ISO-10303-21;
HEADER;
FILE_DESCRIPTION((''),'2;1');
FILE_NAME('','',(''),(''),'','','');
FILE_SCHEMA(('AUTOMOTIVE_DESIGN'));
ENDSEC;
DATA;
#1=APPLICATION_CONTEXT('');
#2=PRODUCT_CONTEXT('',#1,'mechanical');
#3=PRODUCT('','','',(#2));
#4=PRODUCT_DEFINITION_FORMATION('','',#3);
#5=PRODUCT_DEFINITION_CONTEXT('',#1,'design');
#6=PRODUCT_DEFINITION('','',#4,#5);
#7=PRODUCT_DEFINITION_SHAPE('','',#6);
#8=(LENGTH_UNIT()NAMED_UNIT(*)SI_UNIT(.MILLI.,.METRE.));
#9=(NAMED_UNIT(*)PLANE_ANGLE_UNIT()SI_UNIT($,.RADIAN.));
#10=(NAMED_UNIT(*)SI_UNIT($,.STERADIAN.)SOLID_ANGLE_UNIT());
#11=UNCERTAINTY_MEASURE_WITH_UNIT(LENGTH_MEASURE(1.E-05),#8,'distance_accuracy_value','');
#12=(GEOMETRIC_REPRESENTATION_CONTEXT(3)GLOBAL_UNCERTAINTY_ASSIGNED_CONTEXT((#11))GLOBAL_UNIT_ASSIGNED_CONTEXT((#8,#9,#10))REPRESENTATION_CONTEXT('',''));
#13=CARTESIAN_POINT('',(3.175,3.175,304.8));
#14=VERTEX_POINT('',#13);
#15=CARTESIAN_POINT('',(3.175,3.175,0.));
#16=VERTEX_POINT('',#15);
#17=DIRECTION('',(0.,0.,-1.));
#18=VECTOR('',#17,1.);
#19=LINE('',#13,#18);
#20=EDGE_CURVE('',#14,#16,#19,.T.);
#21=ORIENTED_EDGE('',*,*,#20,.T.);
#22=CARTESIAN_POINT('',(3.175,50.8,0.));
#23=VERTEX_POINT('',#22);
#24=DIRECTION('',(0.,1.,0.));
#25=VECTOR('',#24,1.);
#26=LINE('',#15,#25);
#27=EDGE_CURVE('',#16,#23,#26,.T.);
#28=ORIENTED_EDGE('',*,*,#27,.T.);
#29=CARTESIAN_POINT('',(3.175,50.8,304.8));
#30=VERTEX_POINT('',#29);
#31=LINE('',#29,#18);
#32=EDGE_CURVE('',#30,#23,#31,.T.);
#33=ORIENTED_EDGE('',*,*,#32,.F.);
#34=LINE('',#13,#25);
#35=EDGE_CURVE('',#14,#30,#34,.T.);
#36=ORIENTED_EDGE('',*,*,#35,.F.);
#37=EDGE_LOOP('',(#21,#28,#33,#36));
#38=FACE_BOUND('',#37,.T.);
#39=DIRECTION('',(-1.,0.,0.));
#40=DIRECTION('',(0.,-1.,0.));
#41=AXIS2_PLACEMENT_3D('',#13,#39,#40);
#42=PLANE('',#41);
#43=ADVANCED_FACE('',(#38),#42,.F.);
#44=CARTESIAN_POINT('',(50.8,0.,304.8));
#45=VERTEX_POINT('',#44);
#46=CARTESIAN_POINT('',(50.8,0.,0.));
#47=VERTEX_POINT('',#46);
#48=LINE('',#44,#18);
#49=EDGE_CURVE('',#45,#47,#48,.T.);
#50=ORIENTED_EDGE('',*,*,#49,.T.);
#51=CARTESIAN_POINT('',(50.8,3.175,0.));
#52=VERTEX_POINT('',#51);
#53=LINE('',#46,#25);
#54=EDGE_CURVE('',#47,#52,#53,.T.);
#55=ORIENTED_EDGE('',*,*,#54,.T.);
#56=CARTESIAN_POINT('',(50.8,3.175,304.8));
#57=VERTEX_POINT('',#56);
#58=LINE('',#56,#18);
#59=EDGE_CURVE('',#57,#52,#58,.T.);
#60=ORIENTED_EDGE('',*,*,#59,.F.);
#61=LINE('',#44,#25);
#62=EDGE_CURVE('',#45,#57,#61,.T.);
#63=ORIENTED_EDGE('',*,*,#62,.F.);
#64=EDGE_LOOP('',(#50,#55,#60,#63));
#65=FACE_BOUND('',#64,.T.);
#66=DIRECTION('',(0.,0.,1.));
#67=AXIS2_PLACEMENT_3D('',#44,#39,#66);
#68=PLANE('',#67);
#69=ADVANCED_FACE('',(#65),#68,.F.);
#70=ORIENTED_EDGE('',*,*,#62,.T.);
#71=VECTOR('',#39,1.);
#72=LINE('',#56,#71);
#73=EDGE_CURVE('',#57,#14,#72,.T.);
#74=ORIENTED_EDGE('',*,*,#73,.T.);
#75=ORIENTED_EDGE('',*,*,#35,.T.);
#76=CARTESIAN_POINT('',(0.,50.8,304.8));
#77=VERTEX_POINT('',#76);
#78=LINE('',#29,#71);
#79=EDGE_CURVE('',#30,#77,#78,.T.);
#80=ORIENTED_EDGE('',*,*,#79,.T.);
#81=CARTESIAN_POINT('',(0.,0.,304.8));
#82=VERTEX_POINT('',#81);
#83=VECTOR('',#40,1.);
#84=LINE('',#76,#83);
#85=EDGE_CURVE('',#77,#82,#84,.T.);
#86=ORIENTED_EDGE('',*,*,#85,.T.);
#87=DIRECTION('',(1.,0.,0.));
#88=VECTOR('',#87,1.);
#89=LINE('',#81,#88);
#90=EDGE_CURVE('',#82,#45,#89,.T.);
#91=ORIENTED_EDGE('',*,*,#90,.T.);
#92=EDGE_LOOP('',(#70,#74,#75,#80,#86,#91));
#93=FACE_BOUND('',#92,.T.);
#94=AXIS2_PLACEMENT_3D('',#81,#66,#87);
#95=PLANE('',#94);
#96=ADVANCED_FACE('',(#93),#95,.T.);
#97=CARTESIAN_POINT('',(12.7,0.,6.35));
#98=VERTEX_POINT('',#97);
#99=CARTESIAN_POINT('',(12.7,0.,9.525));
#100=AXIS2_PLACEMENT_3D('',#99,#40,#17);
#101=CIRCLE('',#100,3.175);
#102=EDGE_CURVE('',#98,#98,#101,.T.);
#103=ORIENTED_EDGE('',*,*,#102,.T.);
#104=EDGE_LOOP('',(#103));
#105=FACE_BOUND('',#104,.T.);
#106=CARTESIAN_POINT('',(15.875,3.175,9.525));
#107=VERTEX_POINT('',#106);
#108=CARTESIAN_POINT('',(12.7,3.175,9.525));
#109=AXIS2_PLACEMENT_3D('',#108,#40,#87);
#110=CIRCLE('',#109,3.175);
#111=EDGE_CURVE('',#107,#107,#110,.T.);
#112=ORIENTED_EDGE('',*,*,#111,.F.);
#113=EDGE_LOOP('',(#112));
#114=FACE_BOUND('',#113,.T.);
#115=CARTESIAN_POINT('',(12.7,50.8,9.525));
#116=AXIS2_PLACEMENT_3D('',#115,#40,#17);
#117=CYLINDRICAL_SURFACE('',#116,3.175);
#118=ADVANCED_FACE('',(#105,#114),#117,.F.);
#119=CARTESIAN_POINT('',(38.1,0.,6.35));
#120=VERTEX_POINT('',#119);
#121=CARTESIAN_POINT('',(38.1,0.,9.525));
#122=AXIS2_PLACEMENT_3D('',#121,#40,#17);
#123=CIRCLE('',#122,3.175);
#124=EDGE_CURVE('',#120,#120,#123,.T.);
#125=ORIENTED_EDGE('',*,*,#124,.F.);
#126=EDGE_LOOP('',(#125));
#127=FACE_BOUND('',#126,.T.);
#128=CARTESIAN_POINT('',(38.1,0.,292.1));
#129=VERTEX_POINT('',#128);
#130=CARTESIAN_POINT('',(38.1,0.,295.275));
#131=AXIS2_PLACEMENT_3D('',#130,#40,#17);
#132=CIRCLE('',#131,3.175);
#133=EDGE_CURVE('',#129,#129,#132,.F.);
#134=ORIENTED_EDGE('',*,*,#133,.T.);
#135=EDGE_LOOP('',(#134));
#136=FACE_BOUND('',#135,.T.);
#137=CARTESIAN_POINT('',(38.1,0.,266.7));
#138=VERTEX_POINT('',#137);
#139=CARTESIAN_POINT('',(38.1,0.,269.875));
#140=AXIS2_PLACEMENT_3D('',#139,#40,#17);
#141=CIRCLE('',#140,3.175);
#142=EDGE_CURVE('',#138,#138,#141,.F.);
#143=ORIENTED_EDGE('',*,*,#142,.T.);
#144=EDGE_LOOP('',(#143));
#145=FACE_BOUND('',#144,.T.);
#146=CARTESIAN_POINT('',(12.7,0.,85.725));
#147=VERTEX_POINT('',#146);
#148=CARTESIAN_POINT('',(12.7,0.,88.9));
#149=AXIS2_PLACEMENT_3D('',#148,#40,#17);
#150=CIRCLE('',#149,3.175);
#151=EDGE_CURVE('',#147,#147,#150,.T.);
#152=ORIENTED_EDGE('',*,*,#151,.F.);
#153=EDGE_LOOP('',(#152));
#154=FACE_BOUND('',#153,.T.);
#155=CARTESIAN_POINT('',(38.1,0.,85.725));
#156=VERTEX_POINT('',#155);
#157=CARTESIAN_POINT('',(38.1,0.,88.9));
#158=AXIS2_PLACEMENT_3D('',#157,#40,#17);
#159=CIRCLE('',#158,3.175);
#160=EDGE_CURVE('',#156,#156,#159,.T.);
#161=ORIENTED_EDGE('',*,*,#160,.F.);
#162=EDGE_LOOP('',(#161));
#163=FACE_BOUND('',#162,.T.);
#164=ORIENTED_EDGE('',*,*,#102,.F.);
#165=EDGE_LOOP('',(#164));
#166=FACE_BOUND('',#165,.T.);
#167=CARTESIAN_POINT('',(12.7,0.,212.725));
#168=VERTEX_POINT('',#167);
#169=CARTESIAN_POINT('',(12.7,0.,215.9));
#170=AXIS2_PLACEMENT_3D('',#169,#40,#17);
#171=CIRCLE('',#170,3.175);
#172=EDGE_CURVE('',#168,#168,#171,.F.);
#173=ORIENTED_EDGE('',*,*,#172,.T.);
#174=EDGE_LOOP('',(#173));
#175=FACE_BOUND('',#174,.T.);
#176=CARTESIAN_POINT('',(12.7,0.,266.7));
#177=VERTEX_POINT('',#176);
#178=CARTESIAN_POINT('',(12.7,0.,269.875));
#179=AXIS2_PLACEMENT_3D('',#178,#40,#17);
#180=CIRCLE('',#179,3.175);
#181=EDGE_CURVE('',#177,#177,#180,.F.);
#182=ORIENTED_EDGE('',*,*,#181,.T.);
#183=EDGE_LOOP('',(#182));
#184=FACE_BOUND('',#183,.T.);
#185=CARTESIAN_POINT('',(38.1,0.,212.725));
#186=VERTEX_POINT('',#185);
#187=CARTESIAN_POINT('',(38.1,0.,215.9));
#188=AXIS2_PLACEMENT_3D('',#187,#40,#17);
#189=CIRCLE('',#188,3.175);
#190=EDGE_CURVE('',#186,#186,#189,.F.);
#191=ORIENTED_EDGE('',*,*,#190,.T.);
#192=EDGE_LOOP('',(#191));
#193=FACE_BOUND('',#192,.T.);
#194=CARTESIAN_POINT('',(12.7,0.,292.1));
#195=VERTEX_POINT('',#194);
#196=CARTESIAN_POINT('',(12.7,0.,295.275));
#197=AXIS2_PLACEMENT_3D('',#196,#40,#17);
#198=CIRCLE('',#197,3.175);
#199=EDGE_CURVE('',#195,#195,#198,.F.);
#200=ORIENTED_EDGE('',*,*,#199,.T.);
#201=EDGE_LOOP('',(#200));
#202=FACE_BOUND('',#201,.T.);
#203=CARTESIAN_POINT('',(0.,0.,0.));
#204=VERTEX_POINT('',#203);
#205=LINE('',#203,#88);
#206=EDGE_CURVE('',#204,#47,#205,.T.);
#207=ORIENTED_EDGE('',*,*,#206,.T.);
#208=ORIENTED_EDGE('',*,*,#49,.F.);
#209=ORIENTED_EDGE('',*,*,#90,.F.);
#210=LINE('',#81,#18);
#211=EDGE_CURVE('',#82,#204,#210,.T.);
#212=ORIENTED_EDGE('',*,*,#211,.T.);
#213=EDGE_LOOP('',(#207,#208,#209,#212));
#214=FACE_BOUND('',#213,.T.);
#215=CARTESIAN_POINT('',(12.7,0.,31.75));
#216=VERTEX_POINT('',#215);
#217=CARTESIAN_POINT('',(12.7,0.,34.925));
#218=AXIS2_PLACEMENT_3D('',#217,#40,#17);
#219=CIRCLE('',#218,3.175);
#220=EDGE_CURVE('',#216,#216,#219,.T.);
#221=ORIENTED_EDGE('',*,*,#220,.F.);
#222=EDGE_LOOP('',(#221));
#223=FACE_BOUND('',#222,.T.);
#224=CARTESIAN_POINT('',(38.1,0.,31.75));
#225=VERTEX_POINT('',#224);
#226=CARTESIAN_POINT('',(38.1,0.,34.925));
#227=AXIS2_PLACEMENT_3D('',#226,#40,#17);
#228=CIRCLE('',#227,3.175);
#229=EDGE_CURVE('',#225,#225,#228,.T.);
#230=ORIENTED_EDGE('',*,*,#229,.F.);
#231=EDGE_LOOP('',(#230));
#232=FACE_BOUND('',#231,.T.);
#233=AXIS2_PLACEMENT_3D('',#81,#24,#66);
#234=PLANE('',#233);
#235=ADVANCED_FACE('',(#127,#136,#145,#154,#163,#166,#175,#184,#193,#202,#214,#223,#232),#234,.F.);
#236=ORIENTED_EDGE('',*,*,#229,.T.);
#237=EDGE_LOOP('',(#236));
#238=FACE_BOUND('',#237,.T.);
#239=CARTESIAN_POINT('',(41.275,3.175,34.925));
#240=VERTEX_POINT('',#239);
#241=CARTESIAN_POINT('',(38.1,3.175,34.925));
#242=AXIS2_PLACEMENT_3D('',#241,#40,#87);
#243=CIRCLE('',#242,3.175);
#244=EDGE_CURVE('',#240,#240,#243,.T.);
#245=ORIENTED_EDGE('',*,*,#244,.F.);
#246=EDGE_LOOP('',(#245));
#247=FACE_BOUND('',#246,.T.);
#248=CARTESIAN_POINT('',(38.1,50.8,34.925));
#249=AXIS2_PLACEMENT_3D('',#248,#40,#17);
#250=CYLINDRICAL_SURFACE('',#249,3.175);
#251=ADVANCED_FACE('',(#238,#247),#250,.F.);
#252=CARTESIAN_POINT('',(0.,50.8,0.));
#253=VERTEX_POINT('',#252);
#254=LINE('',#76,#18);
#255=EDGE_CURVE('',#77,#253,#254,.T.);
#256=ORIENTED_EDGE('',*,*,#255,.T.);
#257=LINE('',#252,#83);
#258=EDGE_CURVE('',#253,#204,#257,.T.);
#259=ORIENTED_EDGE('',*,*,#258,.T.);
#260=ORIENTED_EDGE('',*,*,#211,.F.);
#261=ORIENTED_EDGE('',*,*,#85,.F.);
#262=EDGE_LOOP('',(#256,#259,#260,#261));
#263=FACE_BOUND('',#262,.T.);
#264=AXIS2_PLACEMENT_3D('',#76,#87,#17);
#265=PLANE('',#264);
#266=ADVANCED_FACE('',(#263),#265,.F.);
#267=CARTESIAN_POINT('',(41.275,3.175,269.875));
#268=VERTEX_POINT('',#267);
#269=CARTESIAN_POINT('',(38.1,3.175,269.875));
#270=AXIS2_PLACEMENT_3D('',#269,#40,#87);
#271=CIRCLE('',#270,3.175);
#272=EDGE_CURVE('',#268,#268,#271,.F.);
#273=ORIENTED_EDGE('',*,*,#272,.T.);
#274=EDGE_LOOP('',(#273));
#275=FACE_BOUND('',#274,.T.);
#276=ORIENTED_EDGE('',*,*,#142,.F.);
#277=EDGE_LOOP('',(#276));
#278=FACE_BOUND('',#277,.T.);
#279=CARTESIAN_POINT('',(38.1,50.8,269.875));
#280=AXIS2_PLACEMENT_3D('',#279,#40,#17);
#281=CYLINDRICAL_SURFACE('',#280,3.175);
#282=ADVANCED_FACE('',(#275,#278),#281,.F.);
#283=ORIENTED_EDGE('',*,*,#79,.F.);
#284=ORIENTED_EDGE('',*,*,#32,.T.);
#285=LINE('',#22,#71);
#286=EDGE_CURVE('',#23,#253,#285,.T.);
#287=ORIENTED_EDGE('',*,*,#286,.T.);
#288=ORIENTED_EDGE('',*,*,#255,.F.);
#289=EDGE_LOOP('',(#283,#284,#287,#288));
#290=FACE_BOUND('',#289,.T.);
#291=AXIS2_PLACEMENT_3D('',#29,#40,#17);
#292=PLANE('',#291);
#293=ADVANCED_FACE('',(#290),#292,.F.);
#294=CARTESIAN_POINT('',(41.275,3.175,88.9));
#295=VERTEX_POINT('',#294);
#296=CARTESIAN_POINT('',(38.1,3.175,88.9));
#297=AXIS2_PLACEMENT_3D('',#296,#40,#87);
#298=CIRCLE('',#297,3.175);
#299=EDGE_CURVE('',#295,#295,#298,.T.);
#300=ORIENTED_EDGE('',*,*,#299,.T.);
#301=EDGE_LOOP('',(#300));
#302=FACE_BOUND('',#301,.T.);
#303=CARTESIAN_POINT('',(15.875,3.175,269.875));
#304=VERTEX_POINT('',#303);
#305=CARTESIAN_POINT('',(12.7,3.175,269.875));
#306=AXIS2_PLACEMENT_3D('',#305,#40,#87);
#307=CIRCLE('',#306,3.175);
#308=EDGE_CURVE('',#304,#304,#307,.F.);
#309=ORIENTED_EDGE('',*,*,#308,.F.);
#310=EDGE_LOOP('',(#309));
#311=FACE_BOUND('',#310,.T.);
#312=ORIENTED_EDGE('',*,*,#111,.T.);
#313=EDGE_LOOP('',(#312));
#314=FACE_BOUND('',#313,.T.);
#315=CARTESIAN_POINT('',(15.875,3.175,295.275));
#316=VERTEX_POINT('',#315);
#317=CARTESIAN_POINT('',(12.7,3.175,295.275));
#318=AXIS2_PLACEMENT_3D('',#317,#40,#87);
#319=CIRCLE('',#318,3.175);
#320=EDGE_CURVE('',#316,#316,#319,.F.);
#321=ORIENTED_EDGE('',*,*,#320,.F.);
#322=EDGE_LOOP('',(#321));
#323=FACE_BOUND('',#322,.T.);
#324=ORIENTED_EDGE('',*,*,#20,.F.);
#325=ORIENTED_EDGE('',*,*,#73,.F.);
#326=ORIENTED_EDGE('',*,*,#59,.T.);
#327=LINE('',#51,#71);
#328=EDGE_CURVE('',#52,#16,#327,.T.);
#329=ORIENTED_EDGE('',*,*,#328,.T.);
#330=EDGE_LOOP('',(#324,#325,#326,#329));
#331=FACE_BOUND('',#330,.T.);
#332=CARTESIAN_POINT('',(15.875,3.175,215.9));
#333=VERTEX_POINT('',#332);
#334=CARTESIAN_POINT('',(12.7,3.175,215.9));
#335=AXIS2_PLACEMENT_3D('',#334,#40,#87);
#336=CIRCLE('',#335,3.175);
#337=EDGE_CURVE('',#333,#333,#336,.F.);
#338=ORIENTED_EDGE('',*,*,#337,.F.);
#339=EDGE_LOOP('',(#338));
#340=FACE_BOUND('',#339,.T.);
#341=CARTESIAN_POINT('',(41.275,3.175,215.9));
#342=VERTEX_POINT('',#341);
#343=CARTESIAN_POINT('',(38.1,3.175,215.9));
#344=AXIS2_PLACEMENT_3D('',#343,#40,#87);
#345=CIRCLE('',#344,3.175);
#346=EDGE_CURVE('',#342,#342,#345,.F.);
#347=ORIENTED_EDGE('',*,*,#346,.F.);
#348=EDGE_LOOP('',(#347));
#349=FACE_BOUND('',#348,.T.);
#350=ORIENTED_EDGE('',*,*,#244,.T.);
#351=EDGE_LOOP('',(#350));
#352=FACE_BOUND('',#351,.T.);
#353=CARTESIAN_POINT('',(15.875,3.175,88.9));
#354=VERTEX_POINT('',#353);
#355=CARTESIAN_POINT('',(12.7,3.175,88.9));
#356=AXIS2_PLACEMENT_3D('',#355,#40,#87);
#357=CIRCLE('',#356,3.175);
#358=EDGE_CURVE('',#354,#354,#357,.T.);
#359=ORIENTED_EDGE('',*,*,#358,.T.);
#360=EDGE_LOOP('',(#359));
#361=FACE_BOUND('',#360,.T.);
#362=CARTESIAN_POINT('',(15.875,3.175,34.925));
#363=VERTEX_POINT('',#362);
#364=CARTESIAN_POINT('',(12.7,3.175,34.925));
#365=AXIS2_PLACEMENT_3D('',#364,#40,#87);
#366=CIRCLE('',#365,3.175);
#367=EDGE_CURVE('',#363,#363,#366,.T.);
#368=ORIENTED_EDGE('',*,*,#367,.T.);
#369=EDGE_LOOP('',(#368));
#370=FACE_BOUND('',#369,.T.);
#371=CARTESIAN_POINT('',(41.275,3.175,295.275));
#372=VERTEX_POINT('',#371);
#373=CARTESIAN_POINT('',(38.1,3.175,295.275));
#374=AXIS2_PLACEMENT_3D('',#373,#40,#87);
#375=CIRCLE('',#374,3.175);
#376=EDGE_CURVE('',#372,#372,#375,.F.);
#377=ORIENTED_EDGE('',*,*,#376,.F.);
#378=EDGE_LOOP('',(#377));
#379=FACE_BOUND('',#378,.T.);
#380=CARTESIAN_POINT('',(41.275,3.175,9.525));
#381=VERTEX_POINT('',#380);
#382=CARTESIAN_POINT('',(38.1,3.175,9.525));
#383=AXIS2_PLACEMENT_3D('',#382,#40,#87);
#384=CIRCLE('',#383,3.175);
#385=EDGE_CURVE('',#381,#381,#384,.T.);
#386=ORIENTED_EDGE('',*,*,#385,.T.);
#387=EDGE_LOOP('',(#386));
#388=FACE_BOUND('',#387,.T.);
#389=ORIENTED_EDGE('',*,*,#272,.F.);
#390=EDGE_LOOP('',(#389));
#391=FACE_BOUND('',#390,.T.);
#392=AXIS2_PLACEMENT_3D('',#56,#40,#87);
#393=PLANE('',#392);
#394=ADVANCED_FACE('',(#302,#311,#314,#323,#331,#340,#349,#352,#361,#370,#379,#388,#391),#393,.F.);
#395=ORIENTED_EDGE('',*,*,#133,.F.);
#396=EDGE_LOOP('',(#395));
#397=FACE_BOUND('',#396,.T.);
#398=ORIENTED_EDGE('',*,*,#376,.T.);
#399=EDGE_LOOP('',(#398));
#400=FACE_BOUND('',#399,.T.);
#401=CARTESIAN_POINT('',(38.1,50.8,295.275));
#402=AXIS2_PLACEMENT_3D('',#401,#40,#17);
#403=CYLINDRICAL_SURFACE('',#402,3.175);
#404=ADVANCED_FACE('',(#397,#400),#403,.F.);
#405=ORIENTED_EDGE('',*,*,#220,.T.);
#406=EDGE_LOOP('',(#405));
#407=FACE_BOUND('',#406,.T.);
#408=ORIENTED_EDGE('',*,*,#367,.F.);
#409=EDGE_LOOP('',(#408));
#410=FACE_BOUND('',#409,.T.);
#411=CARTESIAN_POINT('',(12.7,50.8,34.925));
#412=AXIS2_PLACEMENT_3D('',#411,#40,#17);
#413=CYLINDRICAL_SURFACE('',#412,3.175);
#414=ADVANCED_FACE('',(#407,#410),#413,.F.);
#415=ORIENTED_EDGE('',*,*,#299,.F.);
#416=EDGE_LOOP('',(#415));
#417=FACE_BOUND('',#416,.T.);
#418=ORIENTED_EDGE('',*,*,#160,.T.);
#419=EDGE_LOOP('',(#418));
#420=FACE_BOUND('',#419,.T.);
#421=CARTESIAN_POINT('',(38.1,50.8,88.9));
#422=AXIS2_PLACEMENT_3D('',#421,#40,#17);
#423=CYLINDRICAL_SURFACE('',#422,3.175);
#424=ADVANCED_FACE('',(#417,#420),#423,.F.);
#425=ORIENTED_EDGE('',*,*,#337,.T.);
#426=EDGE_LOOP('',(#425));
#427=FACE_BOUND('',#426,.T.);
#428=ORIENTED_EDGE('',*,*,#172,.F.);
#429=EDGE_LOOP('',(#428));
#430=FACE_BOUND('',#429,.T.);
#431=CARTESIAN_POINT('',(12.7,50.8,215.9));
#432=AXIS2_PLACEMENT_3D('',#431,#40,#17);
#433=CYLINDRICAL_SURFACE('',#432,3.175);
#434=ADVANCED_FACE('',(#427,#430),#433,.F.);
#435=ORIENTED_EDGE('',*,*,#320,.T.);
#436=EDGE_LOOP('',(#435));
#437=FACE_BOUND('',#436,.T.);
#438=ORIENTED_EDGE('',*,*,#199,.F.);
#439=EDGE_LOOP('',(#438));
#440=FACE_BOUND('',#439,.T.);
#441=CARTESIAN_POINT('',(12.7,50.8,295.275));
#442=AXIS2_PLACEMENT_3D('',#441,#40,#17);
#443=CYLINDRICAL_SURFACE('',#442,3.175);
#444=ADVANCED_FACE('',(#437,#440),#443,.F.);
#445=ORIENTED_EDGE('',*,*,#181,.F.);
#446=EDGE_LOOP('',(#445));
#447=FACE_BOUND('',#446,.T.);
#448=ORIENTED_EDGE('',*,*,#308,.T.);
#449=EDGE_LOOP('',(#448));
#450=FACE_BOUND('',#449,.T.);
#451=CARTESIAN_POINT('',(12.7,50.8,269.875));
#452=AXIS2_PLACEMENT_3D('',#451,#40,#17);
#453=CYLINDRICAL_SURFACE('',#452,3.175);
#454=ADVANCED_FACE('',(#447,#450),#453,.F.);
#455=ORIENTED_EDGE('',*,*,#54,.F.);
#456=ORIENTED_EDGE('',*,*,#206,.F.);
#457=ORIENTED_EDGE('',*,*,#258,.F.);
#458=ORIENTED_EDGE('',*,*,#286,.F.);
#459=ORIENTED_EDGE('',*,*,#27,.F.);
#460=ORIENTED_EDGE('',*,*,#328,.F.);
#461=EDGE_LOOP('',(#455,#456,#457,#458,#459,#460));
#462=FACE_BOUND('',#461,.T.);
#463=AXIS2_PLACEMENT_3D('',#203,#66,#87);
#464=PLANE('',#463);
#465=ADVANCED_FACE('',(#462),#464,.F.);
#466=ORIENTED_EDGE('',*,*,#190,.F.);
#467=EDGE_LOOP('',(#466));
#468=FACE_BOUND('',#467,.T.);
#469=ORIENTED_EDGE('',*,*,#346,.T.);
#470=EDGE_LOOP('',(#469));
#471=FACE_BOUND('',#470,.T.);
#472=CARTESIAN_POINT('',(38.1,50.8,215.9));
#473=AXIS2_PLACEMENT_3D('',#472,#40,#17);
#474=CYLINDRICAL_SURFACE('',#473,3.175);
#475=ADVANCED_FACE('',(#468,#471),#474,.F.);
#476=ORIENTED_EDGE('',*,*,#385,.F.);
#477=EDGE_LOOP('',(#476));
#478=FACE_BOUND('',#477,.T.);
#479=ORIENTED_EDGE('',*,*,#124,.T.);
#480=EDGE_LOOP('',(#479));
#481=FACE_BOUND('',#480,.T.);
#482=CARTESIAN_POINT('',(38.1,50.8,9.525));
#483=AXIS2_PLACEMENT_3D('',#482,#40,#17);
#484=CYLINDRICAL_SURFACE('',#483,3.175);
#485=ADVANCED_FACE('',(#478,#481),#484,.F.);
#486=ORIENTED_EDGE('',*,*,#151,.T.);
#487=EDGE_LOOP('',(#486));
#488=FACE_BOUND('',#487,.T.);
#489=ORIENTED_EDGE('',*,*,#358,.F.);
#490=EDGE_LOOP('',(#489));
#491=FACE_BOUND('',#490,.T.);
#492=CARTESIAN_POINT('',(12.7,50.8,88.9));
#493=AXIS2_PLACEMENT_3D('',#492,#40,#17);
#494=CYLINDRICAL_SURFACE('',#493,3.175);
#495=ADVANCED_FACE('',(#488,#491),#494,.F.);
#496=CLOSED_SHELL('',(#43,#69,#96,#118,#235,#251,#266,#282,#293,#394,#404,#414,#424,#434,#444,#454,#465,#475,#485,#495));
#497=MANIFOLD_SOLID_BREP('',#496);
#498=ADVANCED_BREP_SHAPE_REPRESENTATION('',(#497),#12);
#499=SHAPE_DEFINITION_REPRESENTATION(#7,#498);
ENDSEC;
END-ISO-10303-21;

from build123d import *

# Parameters (mm, degrees)
BOSS_EXTRUDE1_DEPTH = 304.8
SKETCH2_R           = 3.175
CUT_EXTRUDE1_DEPTH  = 314.152231351


with BuildPart() as part:
    # Sketch1 → Boss-Extrude1 (new body)
    with BuildSketch(Plane.XY):
        Polygon((0, 0), (50.8, 0), (50.8, 3.175), (3.175, 3.175), (3.175, 50.8), (0, 50.8), align=None)
    extrude(amount=BOSS_EXTRUDE1_DEPTH)

    # Sketch2 → Cut-Extrude1 (cut, through all)
    with BuildSketch(Plane.XZ):
        with Locations(Location((12.7, 9.525, 0), (0, 0, 270))):
            Circle(SKETCH2_R)
        with Locations(Location((12.7, 34.925, 0), (0, 0, 270))):
            Circle(SKETCH2_R)
        with Locations(Location((38.1, 34.925, 0), (0, 0, 270))):
            Circle(SKETCH2_R)
        with Locations(Location((38.1, 9.525, 0), (0, 0, 270))):
            Circle(SKETCH2_R)
        with Locations(Location((12.7, 215.9, 0), (0, 0, 270))):
            Circle(SKETCH2_R)
        with Locations(Location((38.1, 215.9, 0), (0, 0, 270))):
            Circle(SKETCH2_R)
        with Locations(Location((38.1, 88.9, 0), (0, 0, 270))):
            Circle(SKETCH2_R)
        with Locations(Location((12.7, 88.9, 0), (0, 0, 270))):
            Circle(SKETCH2_R)
        with Locations(Location((12.7, 295.275, 0), (0, 0, 270))):
            Circle(SKETCH2_R)
        with Locations(Location((12.7, 269.875, 0), (0, 0, 270))):
            Circle(SKETCH2_R)
        with Locations(Location((38.1, 269.875, 0), (0, 0, 270))):
            Circle(SKETCH2_R)
        with Locations(Location((38.1, 295.275, 0), (0, 0, 270))):
            Circle(SKETCH2_R)
    extrude(amount=-CUT_EXTRUDE1_DEPTH, mode=Mode.SUBTRACT)


solid = part.part
